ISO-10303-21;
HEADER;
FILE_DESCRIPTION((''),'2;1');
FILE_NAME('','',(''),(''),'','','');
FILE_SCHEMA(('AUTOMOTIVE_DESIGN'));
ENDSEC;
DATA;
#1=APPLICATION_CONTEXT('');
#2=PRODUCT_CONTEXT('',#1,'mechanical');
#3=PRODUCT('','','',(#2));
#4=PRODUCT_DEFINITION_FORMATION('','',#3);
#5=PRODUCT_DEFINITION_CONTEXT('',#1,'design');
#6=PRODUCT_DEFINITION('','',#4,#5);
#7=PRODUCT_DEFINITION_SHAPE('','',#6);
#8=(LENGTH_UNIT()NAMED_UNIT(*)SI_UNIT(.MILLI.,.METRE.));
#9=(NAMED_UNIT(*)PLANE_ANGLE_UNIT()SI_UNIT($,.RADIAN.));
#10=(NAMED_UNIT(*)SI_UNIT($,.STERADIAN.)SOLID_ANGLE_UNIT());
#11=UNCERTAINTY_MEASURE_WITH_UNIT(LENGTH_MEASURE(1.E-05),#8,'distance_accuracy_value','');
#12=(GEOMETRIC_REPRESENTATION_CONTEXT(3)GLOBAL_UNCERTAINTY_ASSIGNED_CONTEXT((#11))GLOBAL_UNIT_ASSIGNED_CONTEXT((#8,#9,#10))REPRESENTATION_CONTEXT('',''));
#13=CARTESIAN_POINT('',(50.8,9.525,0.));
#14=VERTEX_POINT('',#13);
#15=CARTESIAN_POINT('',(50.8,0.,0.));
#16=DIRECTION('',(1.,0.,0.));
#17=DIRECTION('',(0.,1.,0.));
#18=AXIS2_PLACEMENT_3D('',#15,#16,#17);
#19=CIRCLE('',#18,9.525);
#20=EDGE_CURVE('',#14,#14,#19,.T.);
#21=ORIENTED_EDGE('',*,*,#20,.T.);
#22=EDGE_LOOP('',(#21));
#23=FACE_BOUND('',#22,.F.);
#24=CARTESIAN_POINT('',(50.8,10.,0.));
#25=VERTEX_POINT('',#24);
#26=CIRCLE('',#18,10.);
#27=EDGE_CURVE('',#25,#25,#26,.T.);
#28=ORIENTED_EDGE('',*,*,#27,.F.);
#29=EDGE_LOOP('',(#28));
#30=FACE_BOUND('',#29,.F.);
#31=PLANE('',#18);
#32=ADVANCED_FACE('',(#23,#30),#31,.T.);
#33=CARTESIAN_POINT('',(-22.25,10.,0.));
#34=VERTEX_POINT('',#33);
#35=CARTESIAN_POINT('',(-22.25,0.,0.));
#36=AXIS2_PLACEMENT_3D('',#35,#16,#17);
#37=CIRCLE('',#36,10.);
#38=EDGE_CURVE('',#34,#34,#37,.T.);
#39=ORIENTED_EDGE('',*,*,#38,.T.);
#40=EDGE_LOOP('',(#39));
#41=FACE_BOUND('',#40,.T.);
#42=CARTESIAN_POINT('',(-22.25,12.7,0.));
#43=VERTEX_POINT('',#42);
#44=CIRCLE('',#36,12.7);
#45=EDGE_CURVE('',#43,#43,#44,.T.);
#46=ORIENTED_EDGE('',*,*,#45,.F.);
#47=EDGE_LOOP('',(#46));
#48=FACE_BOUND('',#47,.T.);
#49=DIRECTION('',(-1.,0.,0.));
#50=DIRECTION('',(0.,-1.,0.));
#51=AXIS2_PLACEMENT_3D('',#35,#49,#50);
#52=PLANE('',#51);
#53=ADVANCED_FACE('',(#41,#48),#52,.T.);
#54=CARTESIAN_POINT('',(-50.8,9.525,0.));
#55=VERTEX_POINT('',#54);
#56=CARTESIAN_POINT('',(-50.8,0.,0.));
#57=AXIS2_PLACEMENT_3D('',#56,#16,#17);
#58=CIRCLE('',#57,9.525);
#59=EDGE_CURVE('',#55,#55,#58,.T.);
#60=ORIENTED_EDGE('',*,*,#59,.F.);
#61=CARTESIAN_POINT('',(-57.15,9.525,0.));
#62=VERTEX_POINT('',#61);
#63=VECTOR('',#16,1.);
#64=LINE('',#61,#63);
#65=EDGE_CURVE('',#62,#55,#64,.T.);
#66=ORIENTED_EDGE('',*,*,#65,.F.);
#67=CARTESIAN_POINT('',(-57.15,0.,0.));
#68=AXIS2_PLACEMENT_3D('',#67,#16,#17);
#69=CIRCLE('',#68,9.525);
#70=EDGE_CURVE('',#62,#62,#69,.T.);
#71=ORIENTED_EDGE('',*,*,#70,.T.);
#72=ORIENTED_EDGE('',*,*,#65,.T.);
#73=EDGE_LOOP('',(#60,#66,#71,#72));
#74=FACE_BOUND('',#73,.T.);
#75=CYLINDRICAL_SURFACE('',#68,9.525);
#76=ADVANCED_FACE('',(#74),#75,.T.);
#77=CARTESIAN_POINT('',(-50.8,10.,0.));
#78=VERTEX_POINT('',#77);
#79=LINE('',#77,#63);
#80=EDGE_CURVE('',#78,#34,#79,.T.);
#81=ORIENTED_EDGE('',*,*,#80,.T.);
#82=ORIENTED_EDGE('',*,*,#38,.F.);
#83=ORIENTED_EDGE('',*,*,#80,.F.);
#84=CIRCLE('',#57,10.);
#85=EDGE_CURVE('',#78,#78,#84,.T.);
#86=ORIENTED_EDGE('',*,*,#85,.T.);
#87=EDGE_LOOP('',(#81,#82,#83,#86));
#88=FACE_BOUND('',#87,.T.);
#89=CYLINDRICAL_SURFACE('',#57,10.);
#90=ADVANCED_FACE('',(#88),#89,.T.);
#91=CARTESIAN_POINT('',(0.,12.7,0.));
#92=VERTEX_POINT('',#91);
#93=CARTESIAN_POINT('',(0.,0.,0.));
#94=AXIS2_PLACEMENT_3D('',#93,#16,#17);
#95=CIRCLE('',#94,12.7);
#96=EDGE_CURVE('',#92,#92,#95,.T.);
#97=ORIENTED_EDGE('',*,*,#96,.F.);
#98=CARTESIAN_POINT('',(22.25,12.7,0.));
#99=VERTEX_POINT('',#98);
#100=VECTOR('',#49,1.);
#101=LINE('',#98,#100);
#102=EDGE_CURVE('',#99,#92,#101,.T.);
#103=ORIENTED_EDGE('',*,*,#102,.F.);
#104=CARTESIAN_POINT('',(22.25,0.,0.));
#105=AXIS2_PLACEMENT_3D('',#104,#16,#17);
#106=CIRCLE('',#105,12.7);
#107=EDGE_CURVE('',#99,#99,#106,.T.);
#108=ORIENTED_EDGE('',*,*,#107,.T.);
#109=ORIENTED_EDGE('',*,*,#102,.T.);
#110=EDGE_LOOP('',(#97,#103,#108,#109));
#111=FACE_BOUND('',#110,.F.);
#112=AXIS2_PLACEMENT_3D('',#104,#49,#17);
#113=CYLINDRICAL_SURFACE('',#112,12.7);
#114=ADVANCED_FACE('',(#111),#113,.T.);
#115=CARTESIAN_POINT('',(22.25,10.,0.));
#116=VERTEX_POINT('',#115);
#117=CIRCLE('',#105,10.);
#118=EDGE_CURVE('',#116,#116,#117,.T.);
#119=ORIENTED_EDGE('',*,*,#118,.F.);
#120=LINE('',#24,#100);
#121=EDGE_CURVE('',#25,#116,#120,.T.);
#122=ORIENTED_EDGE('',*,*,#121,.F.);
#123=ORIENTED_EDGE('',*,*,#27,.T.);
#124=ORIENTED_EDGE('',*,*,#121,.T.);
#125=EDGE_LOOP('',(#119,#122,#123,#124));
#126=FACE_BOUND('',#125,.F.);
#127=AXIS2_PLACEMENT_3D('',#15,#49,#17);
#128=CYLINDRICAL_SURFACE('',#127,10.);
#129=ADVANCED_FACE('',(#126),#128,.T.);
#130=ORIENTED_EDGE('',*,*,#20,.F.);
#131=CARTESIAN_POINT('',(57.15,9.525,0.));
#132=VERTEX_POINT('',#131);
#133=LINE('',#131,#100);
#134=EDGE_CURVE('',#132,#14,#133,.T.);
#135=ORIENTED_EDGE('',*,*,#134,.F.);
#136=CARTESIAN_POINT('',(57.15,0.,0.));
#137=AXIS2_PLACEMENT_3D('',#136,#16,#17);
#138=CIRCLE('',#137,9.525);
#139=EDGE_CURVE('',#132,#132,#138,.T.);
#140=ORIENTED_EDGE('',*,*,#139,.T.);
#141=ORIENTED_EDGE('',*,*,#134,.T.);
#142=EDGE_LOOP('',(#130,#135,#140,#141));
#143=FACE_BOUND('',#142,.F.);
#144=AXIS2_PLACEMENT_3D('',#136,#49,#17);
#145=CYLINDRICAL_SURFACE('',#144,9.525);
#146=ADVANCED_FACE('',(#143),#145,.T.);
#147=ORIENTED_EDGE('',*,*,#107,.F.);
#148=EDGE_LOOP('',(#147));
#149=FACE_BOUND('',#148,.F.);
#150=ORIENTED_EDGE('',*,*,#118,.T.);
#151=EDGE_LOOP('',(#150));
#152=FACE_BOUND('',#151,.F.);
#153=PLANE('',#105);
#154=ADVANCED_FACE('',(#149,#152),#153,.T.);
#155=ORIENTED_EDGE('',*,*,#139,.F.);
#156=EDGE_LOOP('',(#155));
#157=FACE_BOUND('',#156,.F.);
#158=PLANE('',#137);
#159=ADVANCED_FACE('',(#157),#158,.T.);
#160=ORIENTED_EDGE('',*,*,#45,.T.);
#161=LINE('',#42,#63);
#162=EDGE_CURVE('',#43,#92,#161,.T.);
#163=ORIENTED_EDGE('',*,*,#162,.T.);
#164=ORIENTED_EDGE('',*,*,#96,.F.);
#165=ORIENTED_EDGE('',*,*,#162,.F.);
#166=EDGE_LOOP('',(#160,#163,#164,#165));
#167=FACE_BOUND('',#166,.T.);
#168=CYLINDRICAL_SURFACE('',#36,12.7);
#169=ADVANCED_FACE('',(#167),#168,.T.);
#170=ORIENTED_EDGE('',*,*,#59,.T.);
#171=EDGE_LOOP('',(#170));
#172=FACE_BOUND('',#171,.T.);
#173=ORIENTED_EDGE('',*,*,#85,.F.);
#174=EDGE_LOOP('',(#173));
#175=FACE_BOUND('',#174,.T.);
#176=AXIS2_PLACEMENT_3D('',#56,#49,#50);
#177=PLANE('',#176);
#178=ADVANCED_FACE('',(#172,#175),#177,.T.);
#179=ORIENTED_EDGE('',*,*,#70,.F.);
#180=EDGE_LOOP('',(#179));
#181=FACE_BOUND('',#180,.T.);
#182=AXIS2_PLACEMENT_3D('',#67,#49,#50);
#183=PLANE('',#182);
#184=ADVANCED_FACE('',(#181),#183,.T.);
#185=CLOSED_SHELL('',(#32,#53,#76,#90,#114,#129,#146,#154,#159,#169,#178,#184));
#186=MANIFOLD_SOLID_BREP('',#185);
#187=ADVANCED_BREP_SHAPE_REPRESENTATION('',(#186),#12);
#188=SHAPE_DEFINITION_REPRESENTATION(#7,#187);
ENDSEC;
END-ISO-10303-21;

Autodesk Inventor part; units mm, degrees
ref_plane "YZ Plane" through (0, 0, 0) normal (1, 0, 0) x (0, 1, 0)
ref_plane "XZ Plane" through (0, 0, 0) normal (0, 1, 0) x (-1, 0, 0)
ref_plane "XY Plane" through (0, 0, 0) normal (0, 0, 1) x (1, 0, 0)
sketch "Sketch1" plane through (0, 0, 0) normal (0, 0, 1) x (1, 0, 0)
  line L0 (0, 12.7) -> (0, 0)
  line L1 (0, 0) -> (57.15, 0)
  line L2 (57.15, 0) -> (57.15, 9.525)
  line L3 (57.15, 9.525) -> (50.8, 9.525)
  line L4 (50.8, 9.525) -> (50.8, 10)
  line L5 (50.8, 10) -> (22.25, 10)
  line L6 (22.25, 10) -> (22.25, 12.7)
  line L7 (22.25, 12.7) -> (0, 12.7)
  dimension "d0" = 57.15
  dimension "d1" = 9.525
  dimension "d2" = 10
  dimension "d3" = 12.7
  dimension "d4" = 22.25
  dimension "d5" = 6.35
revolve "Revolution1" add sketch "Sketch1" angle 360 about axis through (0, 0, 0) along (1, 0, 0)
mirror "Mirror1" about plane through (0, 0, 0) normal (1, 0, 0) of "Revolution1"
properties part number "baseAxle" material "Steel, Alloy"
